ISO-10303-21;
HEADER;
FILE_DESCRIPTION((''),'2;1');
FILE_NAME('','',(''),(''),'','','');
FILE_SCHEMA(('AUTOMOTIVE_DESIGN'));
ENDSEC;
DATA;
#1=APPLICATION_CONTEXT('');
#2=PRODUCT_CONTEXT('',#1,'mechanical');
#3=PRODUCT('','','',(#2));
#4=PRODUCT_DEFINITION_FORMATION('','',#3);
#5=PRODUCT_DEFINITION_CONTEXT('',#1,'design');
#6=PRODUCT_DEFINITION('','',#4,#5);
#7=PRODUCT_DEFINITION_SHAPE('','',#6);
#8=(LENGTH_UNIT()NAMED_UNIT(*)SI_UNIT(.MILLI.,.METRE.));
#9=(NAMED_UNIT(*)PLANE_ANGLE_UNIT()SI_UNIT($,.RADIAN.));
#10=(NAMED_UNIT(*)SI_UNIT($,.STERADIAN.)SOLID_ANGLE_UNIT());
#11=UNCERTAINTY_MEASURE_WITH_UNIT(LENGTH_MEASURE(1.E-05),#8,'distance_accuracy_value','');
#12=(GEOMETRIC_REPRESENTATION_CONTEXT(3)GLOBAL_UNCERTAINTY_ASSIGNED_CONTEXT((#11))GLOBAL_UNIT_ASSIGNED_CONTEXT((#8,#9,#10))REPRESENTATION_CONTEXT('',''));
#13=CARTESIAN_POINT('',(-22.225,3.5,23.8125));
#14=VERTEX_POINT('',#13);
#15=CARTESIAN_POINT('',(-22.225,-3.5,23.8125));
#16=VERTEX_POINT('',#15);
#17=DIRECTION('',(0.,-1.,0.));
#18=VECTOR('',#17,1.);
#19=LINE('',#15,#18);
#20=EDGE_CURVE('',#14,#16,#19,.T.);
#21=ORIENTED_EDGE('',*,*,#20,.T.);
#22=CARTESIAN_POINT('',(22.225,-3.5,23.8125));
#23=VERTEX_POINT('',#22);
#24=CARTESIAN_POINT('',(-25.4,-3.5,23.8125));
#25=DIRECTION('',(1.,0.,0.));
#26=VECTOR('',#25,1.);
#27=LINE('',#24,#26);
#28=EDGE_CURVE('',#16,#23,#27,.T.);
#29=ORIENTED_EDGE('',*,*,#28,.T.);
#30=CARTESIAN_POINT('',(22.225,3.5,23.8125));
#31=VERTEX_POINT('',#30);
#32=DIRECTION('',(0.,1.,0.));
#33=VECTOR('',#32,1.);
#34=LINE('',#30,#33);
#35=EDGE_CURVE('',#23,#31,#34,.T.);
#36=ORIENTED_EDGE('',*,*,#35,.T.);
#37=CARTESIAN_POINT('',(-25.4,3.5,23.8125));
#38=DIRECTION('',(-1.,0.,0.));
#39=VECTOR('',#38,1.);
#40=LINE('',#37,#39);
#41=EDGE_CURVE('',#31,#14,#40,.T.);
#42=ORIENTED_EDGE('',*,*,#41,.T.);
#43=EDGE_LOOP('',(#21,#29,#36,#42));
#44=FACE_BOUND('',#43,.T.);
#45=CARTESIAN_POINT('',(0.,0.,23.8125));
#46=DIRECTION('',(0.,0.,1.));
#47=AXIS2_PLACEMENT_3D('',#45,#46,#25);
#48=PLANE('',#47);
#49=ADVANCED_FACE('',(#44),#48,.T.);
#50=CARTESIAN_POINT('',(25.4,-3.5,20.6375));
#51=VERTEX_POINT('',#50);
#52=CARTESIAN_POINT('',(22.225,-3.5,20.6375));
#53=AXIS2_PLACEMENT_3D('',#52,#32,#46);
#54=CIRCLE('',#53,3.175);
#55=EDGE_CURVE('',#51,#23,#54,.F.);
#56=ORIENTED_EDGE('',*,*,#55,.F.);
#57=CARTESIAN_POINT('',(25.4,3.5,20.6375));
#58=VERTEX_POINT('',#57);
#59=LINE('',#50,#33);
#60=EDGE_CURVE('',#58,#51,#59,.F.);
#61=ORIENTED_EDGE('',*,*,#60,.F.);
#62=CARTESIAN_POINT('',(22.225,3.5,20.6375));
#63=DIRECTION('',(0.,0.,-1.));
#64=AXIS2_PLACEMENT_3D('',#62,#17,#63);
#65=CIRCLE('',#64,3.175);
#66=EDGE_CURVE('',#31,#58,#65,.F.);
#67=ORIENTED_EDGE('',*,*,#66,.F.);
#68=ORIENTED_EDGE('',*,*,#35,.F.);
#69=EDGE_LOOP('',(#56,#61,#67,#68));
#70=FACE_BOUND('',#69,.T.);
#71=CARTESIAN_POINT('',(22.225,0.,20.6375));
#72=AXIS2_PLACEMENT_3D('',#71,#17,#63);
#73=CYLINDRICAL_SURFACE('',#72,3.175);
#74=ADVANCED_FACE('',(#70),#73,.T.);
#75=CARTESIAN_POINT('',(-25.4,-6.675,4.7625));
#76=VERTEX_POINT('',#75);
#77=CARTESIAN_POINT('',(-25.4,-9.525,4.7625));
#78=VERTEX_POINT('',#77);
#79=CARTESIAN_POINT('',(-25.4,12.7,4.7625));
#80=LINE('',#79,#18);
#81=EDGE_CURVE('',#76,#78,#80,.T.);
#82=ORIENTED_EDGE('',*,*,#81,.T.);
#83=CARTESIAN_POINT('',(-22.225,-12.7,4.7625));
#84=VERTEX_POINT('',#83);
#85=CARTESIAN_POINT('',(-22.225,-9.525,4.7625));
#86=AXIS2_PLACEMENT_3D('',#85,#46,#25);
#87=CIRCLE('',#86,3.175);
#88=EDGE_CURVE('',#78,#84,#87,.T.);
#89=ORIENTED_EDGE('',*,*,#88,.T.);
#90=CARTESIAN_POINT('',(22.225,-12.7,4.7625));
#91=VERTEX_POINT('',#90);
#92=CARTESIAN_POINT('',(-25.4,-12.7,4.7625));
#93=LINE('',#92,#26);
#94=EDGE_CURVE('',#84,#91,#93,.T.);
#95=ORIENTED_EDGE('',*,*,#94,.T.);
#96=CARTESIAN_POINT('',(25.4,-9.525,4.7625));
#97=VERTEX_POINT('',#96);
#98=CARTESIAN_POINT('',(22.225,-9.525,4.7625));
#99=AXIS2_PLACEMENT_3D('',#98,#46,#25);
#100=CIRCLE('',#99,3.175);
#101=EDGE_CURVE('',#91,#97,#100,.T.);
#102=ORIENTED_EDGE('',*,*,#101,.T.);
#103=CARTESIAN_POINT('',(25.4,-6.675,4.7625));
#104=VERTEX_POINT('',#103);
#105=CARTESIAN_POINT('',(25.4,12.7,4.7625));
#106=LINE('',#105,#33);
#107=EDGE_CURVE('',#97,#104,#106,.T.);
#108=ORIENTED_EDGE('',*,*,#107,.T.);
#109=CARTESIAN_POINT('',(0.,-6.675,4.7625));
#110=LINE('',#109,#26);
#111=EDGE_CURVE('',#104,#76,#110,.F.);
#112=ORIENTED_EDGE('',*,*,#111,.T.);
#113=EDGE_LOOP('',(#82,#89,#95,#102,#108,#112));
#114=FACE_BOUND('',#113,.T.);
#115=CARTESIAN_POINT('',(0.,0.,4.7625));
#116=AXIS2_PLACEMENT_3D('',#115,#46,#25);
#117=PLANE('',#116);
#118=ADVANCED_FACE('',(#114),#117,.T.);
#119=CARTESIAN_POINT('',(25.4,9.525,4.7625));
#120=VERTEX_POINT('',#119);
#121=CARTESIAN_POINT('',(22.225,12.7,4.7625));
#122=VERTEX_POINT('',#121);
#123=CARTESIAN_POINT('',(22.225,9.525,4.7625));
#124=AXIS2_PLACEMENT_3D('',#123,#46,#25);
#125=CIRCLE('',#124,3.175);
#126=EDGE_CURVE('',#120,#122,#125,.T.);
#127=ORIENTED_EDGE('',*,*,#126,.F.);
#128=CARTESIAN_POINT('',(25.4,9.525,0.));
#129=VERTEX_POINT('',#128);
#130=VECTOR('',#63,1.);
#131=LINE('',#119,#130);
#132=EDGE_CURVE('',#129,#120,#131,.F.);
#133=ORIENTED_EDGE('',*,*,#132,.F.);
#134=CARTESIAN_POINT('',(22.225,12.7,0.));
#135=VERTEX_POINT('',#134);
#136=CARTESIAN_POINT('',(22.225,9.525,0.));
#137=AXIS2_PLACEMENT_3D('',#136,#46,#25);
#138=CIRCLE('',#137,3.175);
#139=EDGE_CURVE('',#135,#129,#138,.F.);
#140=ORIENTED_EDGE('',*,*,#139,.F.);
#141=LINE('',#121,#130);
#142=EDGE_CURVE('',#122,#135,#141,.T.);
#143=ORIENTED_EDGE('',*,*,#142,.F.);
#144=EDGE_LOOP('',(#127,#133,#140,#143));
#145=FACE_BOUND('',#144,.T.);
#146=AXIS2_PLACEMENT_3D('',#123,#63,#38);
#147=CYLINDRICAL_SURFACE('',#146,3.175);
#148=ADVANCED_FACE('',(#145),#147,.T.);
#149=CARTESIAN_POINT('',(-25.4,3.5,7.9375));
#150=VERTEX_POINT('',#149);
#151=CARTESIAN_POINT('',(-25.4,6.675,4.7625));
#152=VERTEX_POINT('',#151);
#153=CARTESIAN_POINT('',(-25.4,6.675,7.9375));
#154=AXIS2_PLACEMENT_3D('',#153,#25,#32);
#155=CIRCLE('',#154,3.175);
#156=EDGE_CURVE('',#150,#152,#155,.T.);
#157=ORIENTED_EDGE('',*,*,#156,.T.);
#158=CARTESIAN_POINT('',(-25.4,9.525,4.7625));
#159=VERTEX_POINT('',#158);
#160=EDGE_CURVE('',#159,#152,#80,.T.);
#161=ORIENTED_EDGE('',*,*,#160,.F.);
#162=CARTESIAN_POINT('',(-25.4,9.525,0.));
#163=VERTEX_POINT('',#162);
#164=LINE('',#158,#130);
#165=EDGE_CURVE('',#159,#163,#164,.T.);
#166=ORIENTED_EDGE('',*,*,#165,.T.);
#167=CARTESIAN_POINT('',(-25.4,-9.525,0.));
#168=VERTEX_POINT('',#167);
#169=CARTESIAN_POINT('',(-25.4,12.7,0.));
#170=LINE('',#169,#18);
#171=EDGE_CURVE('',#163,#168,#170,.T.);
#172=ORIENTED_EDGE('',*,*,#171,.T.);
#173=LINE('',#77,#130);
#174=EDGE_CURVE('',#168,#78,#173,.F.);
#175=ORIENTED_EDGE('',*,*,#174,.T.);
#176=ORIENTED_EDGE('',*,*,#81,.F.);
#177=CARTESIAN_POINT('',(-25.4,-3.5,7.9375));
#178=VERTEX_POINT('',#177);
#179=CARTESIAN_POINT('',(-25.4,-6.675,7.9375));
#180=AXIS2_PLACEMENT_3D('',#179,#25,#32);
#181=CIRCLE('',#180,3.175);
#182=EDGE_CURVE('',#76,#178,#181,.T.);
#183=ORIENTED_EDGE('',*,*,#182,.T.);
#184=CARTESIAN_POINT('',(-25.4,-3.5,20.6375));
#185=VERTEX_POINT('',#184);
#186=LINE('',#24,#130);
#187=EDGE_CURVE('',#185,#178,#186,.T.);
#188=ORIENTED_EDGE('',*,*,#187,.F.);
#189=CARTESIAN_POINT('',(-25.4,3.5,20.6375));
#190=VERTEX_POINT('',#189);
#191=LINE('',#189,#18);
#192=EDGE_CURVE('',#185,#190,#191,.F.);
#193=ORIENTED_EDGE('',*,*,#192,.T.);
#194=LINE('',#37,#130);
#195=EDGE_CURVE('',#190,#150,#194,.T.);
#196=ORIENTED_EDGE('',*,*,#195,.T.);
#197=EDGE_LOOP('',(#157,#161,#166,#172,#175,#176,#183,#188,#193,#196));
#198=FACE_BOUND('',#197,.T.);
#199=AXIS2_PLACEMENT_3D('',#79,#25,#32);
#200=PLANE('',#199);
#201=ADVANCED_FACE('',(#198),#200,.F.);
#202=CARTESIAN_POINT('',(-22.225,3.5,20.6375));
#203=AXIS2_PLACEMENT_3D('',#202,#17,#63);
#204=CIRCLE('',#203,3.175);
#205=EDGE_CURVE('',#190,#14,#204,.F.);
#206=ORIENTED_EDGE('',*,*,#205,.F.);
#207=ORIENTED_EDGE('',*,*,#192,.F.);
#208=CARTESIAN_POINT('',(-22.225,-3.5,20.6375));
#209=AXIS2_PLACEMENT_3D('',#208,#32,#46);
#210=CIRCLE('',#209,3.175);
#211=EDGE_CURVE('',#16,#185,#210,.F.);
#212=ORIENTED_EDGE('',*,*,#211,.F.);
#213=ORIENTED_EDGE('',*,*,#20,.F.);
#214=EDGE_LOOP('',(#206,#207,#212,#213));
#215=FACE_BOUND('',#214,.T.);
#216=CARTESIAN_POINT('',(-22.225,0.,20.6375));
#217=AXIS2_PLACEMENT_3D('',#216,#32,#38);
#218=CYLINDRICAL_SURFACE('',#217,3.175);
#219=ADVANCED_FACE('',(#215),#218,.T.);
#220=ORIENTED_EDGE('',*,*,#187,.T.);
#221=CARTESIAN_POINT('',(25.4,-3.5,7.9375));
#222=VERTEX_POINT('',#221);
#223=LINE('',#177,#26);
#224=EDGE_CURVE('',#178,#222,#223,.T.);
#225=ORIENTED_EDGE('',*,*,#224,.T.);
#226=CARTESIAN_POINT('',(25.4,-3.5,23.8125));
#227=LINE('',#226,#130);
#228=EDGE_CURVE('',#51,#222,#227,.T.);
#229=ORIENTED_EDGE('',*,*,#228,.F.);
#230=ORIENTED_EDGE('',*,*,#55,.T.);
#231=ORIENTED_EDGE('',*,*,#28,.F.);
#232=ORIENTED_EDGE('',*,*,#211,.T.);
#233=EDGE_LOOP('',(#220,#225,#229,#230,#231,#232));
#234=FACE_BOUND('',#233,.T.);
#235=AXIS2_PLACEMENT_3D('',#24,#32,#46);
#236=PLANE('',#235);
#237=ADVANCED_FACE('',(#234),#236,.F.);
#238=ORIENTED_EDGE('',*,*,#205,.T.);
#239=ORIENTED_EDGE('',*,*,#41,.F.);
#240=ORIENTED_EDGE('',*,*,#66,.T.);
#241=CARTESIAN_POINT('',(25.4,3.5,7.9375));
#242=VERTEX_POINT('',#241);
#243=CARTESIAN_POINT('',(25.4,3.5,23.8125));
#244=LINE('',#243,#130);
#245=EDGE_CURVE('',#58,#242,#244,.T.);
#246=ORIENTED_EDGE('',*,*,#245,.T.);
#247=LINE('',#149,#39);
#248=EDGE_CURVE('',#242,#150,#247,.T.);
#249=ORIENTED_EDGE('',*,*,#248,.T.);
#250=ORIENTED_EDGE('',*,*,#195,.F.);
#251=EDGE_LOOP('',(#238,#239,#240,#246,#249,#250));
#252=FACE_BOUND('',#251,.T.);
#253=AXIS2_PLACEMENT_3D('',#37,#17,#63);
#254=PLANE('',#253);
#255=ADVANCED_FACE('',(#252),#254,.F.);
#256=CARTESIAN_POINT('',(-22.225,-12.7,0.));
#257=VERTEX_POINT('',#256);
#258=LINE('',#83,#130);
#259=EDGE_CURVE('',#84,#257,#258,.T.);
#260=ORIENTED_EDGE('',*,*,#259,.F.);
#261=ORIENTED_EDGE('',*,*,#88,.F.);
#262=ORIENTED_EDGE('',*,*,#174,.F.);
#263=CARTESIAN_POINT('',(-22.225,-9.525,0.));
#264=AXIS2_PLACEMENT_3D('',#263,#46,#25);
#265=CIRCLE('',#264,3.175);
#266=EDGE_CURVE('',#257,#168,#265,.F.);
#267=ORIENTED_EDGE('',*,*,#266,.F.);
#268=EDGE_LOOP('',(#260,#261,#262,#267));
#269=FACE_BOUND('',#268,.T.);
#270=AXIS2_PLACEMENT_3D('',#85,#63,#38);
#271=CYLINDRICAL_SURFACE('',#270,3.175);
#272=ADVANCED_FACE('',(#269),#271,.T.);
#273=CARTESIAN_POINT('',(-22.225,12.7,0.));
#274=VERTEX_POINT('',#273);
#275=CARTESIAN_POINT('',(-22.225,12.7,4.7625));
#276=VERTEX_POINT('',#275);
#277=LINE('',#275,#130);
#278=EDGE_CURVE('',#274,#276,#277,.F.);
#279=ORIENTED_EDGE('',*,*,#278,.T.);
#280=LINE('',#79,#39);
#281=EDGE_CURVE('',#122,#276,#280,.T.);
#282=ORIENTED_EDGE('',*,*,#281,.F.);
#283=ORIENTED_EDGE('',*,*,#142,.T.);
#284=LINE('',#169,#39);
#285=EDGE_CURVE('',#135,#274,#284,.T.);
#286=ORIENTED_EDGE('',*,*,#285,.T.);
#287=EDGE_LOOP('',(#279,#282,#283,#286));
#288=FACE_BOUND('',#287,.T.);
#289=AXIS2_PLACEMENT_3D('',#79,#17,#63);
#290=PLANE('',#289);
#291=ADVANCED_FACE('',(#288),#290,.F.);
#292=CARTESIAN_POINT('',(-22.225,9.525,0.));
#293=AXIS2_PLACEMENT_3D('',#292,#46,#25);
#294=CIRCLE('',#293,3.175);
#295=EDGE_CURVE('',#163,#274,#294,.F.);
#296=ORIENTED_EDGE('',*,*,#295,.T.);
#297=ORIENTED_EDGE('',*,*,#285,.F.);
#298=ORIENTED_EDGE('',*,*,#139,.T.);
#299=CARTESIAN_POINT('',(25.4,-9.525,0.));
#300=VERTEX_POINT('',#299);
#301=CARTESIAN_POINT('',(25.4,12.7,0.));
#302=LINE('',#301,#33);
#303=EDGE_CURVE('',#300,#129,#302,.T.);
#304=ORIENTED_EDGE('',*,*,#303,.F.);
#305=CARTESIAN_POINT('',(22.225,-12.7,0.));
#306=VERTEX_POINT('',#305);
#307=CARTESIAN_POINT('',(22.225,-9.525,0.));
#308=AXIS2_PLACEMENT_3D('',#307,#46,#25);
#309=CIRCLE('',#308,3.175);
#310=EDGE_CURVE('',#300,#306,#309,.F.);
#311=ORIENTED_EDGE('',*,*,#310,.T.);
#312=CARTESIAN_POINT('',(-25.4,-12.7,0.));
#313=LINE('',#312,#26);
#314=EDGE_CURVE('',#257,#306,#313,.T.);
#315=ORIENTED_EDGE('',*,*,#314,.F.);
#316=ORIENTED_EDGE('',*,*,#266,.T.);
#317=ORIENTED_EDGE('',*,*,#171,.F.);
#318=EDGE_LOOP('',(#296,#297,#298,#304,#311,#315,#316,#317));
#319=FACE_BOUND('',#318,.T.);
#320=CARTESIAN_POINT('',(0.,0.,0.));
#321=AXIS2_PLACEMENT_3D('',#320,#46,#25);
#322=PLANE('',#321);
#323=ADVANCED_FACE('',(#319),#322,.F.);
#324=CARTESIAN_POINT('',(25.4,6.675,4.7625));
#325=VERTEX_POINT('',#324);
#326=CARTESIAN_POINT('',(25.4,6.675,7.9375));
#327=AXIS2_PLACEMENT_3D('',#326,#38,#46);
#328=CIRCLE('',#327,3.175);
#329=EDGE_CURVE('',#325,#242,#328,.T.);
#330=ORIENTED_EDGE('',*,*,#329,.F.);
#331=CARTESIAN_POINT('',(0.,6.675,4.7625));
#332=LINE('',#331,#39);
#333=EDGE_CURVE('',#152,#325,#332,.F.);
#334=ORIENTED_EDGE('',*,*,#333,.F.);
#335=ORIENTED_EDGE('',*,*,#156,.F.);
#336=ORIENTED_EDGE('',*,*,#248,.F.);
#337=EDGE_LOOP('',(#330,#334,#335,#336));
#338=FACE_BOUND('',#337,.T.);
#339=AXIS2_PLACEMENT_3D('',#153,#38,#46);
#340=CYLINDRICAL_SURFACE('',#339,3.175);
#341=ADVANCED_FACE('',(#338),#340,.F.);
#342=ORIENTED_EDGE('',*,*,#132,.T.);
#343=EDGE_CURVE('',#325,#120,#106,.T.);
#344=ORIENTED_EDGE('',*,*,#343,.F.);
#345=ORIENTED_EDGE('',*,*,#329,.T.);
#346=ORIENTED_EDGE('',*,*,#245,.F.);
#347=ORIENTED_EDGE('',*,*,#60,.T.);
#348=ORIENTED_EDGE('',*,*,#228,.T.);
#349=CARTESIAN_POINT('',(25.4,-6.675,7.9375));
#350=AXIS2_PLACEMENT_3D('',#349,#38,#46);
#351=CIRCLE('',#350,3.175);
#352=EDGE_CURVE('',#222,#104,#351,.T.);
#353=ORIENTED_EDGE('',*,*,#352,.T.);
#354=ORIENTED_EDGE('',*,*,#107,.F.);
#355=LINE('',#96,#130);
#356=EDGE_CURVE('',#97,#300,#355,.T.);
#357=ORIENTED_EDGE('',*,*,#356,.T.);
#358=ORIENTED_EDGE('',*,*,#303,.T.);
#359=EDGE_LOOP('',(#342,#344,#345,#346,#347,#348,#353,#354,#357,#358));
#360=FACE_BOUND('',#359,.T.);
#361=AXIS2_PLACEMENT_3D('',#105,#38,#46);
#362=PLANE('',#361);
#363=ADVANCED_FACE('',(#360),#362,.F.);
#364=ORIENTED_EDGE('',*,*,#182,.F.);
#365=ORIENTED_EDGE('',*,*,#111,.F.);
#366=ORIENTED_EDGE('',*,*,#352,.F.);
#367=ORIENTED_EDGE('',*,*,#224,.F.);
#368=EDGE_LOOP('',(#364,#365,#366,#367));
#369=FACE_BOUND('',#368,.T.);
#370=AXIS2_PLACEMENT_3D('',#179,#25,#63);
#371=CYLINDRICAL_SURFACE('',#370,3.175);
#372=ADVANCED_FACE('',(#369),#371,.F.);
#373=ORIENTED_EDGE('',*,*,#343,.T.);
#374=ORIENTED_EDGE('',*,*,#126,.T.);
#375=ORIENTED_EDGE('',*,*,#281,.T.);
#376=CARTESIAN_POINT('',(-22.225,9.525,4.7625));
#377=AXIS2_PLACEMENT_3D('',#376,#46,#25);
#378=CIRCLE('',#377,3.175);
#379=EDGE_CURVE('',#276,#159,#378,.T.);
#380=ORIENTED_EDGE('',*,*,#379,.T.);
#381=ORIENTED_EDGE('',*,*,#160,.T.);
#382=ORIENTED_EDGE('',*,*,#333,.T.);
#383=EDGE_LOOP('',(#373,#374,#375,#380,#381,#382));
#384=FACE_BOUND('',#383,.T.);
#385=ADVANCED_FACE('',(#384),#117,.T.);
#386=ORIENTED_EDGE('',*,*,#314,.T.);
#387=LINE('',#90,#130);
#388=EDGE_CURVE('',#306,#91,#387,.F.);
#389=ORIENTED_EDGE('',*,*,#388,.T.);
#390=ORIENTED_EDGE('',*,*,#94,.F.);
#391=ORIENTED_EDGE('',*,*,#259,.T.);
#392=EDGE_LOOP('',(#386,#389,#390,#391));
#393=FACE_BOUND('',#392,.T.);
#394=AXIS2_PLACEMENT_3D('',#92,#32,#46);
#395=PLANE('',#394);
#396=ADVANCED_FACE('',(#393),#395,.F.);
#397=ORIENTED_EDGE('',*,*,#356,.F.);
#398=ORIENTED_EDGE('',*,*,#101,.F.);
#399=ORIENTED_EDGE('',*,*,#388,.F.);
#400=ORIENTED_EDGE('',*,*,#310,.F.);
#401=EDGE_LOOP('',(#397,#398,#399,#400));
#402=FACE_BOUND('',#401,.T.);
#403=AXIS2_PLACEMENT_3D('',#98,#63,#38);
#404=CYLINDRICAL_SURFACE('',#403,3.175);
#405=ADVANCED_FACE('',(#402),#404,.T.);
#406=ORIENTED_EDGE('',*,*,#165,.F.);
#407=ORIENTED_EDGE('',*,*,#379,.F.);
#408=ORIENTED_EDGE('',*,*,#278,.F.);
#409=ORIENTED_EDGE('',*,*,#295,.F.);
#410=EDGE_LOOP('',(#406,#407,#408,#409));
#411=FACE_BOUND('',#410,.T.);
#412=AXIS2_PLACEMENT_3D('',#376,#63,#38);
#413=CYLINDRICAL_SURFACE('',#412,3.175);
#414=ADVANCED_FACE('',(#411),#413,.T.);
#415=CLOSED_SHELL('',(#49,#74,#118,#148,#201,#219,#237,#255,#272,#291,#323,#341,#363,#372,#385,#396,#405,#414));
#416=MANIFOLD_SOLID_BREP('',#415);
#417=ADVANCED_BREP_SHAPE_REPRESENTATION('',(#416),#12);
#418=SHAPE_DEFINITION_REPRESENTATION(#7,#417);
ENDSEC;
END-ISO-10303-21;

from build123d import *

# Parameters (mm, degrees)
SKETCH1_W           = 50.8
SKETCH1_H           = 25.4
BOSS_EXTRUDE1_DEPTH = 4.7625
SKETCH2_W           = 50.8
SKETCH2_H           = 7
BOSS_EXTRUDE2_DEPTH = 19.05
FILLET1_R           = 3.175


with BuildPart() as part:
    # Sketch1 → Boss-Extrude1 (new body)
    with BuildSketch(Plane.XY):
        Rectangle(SKETCH1_W, SKETCH1_H)
    extrude(amount=BOSS_EXTRUDE1_DEPTH)

    # Sketch2 → Boss-Extrude2 (add)
    with BuildSketch(Plane.XY.offset(4.7625)):
        Rectangle(SKETCH2_W, SKETCH2_H)
    extrude(amount=BOSS_EXTRUDE2_DEPTH)

    # Fillet1
    fillet1_edges = [part.edges().sort_by_distance(p)[0] for p in [
        (0, 3.5, 4.7625),
        (0, -3.5, 4.7625),
        (25.4, 0, 23.8125),
        (-25.4, 0, 23.8125),
        (25.4, -12.7, 2.38125),
        (-25.4, -12.7, 2.38125),
        (-25.4, 12.7, 2.38125),
        (25.4, 12.7, 2.38125),
    ]]
    fillet(fillet1_edges, radius=FILLET1_R)


solid = part.part
